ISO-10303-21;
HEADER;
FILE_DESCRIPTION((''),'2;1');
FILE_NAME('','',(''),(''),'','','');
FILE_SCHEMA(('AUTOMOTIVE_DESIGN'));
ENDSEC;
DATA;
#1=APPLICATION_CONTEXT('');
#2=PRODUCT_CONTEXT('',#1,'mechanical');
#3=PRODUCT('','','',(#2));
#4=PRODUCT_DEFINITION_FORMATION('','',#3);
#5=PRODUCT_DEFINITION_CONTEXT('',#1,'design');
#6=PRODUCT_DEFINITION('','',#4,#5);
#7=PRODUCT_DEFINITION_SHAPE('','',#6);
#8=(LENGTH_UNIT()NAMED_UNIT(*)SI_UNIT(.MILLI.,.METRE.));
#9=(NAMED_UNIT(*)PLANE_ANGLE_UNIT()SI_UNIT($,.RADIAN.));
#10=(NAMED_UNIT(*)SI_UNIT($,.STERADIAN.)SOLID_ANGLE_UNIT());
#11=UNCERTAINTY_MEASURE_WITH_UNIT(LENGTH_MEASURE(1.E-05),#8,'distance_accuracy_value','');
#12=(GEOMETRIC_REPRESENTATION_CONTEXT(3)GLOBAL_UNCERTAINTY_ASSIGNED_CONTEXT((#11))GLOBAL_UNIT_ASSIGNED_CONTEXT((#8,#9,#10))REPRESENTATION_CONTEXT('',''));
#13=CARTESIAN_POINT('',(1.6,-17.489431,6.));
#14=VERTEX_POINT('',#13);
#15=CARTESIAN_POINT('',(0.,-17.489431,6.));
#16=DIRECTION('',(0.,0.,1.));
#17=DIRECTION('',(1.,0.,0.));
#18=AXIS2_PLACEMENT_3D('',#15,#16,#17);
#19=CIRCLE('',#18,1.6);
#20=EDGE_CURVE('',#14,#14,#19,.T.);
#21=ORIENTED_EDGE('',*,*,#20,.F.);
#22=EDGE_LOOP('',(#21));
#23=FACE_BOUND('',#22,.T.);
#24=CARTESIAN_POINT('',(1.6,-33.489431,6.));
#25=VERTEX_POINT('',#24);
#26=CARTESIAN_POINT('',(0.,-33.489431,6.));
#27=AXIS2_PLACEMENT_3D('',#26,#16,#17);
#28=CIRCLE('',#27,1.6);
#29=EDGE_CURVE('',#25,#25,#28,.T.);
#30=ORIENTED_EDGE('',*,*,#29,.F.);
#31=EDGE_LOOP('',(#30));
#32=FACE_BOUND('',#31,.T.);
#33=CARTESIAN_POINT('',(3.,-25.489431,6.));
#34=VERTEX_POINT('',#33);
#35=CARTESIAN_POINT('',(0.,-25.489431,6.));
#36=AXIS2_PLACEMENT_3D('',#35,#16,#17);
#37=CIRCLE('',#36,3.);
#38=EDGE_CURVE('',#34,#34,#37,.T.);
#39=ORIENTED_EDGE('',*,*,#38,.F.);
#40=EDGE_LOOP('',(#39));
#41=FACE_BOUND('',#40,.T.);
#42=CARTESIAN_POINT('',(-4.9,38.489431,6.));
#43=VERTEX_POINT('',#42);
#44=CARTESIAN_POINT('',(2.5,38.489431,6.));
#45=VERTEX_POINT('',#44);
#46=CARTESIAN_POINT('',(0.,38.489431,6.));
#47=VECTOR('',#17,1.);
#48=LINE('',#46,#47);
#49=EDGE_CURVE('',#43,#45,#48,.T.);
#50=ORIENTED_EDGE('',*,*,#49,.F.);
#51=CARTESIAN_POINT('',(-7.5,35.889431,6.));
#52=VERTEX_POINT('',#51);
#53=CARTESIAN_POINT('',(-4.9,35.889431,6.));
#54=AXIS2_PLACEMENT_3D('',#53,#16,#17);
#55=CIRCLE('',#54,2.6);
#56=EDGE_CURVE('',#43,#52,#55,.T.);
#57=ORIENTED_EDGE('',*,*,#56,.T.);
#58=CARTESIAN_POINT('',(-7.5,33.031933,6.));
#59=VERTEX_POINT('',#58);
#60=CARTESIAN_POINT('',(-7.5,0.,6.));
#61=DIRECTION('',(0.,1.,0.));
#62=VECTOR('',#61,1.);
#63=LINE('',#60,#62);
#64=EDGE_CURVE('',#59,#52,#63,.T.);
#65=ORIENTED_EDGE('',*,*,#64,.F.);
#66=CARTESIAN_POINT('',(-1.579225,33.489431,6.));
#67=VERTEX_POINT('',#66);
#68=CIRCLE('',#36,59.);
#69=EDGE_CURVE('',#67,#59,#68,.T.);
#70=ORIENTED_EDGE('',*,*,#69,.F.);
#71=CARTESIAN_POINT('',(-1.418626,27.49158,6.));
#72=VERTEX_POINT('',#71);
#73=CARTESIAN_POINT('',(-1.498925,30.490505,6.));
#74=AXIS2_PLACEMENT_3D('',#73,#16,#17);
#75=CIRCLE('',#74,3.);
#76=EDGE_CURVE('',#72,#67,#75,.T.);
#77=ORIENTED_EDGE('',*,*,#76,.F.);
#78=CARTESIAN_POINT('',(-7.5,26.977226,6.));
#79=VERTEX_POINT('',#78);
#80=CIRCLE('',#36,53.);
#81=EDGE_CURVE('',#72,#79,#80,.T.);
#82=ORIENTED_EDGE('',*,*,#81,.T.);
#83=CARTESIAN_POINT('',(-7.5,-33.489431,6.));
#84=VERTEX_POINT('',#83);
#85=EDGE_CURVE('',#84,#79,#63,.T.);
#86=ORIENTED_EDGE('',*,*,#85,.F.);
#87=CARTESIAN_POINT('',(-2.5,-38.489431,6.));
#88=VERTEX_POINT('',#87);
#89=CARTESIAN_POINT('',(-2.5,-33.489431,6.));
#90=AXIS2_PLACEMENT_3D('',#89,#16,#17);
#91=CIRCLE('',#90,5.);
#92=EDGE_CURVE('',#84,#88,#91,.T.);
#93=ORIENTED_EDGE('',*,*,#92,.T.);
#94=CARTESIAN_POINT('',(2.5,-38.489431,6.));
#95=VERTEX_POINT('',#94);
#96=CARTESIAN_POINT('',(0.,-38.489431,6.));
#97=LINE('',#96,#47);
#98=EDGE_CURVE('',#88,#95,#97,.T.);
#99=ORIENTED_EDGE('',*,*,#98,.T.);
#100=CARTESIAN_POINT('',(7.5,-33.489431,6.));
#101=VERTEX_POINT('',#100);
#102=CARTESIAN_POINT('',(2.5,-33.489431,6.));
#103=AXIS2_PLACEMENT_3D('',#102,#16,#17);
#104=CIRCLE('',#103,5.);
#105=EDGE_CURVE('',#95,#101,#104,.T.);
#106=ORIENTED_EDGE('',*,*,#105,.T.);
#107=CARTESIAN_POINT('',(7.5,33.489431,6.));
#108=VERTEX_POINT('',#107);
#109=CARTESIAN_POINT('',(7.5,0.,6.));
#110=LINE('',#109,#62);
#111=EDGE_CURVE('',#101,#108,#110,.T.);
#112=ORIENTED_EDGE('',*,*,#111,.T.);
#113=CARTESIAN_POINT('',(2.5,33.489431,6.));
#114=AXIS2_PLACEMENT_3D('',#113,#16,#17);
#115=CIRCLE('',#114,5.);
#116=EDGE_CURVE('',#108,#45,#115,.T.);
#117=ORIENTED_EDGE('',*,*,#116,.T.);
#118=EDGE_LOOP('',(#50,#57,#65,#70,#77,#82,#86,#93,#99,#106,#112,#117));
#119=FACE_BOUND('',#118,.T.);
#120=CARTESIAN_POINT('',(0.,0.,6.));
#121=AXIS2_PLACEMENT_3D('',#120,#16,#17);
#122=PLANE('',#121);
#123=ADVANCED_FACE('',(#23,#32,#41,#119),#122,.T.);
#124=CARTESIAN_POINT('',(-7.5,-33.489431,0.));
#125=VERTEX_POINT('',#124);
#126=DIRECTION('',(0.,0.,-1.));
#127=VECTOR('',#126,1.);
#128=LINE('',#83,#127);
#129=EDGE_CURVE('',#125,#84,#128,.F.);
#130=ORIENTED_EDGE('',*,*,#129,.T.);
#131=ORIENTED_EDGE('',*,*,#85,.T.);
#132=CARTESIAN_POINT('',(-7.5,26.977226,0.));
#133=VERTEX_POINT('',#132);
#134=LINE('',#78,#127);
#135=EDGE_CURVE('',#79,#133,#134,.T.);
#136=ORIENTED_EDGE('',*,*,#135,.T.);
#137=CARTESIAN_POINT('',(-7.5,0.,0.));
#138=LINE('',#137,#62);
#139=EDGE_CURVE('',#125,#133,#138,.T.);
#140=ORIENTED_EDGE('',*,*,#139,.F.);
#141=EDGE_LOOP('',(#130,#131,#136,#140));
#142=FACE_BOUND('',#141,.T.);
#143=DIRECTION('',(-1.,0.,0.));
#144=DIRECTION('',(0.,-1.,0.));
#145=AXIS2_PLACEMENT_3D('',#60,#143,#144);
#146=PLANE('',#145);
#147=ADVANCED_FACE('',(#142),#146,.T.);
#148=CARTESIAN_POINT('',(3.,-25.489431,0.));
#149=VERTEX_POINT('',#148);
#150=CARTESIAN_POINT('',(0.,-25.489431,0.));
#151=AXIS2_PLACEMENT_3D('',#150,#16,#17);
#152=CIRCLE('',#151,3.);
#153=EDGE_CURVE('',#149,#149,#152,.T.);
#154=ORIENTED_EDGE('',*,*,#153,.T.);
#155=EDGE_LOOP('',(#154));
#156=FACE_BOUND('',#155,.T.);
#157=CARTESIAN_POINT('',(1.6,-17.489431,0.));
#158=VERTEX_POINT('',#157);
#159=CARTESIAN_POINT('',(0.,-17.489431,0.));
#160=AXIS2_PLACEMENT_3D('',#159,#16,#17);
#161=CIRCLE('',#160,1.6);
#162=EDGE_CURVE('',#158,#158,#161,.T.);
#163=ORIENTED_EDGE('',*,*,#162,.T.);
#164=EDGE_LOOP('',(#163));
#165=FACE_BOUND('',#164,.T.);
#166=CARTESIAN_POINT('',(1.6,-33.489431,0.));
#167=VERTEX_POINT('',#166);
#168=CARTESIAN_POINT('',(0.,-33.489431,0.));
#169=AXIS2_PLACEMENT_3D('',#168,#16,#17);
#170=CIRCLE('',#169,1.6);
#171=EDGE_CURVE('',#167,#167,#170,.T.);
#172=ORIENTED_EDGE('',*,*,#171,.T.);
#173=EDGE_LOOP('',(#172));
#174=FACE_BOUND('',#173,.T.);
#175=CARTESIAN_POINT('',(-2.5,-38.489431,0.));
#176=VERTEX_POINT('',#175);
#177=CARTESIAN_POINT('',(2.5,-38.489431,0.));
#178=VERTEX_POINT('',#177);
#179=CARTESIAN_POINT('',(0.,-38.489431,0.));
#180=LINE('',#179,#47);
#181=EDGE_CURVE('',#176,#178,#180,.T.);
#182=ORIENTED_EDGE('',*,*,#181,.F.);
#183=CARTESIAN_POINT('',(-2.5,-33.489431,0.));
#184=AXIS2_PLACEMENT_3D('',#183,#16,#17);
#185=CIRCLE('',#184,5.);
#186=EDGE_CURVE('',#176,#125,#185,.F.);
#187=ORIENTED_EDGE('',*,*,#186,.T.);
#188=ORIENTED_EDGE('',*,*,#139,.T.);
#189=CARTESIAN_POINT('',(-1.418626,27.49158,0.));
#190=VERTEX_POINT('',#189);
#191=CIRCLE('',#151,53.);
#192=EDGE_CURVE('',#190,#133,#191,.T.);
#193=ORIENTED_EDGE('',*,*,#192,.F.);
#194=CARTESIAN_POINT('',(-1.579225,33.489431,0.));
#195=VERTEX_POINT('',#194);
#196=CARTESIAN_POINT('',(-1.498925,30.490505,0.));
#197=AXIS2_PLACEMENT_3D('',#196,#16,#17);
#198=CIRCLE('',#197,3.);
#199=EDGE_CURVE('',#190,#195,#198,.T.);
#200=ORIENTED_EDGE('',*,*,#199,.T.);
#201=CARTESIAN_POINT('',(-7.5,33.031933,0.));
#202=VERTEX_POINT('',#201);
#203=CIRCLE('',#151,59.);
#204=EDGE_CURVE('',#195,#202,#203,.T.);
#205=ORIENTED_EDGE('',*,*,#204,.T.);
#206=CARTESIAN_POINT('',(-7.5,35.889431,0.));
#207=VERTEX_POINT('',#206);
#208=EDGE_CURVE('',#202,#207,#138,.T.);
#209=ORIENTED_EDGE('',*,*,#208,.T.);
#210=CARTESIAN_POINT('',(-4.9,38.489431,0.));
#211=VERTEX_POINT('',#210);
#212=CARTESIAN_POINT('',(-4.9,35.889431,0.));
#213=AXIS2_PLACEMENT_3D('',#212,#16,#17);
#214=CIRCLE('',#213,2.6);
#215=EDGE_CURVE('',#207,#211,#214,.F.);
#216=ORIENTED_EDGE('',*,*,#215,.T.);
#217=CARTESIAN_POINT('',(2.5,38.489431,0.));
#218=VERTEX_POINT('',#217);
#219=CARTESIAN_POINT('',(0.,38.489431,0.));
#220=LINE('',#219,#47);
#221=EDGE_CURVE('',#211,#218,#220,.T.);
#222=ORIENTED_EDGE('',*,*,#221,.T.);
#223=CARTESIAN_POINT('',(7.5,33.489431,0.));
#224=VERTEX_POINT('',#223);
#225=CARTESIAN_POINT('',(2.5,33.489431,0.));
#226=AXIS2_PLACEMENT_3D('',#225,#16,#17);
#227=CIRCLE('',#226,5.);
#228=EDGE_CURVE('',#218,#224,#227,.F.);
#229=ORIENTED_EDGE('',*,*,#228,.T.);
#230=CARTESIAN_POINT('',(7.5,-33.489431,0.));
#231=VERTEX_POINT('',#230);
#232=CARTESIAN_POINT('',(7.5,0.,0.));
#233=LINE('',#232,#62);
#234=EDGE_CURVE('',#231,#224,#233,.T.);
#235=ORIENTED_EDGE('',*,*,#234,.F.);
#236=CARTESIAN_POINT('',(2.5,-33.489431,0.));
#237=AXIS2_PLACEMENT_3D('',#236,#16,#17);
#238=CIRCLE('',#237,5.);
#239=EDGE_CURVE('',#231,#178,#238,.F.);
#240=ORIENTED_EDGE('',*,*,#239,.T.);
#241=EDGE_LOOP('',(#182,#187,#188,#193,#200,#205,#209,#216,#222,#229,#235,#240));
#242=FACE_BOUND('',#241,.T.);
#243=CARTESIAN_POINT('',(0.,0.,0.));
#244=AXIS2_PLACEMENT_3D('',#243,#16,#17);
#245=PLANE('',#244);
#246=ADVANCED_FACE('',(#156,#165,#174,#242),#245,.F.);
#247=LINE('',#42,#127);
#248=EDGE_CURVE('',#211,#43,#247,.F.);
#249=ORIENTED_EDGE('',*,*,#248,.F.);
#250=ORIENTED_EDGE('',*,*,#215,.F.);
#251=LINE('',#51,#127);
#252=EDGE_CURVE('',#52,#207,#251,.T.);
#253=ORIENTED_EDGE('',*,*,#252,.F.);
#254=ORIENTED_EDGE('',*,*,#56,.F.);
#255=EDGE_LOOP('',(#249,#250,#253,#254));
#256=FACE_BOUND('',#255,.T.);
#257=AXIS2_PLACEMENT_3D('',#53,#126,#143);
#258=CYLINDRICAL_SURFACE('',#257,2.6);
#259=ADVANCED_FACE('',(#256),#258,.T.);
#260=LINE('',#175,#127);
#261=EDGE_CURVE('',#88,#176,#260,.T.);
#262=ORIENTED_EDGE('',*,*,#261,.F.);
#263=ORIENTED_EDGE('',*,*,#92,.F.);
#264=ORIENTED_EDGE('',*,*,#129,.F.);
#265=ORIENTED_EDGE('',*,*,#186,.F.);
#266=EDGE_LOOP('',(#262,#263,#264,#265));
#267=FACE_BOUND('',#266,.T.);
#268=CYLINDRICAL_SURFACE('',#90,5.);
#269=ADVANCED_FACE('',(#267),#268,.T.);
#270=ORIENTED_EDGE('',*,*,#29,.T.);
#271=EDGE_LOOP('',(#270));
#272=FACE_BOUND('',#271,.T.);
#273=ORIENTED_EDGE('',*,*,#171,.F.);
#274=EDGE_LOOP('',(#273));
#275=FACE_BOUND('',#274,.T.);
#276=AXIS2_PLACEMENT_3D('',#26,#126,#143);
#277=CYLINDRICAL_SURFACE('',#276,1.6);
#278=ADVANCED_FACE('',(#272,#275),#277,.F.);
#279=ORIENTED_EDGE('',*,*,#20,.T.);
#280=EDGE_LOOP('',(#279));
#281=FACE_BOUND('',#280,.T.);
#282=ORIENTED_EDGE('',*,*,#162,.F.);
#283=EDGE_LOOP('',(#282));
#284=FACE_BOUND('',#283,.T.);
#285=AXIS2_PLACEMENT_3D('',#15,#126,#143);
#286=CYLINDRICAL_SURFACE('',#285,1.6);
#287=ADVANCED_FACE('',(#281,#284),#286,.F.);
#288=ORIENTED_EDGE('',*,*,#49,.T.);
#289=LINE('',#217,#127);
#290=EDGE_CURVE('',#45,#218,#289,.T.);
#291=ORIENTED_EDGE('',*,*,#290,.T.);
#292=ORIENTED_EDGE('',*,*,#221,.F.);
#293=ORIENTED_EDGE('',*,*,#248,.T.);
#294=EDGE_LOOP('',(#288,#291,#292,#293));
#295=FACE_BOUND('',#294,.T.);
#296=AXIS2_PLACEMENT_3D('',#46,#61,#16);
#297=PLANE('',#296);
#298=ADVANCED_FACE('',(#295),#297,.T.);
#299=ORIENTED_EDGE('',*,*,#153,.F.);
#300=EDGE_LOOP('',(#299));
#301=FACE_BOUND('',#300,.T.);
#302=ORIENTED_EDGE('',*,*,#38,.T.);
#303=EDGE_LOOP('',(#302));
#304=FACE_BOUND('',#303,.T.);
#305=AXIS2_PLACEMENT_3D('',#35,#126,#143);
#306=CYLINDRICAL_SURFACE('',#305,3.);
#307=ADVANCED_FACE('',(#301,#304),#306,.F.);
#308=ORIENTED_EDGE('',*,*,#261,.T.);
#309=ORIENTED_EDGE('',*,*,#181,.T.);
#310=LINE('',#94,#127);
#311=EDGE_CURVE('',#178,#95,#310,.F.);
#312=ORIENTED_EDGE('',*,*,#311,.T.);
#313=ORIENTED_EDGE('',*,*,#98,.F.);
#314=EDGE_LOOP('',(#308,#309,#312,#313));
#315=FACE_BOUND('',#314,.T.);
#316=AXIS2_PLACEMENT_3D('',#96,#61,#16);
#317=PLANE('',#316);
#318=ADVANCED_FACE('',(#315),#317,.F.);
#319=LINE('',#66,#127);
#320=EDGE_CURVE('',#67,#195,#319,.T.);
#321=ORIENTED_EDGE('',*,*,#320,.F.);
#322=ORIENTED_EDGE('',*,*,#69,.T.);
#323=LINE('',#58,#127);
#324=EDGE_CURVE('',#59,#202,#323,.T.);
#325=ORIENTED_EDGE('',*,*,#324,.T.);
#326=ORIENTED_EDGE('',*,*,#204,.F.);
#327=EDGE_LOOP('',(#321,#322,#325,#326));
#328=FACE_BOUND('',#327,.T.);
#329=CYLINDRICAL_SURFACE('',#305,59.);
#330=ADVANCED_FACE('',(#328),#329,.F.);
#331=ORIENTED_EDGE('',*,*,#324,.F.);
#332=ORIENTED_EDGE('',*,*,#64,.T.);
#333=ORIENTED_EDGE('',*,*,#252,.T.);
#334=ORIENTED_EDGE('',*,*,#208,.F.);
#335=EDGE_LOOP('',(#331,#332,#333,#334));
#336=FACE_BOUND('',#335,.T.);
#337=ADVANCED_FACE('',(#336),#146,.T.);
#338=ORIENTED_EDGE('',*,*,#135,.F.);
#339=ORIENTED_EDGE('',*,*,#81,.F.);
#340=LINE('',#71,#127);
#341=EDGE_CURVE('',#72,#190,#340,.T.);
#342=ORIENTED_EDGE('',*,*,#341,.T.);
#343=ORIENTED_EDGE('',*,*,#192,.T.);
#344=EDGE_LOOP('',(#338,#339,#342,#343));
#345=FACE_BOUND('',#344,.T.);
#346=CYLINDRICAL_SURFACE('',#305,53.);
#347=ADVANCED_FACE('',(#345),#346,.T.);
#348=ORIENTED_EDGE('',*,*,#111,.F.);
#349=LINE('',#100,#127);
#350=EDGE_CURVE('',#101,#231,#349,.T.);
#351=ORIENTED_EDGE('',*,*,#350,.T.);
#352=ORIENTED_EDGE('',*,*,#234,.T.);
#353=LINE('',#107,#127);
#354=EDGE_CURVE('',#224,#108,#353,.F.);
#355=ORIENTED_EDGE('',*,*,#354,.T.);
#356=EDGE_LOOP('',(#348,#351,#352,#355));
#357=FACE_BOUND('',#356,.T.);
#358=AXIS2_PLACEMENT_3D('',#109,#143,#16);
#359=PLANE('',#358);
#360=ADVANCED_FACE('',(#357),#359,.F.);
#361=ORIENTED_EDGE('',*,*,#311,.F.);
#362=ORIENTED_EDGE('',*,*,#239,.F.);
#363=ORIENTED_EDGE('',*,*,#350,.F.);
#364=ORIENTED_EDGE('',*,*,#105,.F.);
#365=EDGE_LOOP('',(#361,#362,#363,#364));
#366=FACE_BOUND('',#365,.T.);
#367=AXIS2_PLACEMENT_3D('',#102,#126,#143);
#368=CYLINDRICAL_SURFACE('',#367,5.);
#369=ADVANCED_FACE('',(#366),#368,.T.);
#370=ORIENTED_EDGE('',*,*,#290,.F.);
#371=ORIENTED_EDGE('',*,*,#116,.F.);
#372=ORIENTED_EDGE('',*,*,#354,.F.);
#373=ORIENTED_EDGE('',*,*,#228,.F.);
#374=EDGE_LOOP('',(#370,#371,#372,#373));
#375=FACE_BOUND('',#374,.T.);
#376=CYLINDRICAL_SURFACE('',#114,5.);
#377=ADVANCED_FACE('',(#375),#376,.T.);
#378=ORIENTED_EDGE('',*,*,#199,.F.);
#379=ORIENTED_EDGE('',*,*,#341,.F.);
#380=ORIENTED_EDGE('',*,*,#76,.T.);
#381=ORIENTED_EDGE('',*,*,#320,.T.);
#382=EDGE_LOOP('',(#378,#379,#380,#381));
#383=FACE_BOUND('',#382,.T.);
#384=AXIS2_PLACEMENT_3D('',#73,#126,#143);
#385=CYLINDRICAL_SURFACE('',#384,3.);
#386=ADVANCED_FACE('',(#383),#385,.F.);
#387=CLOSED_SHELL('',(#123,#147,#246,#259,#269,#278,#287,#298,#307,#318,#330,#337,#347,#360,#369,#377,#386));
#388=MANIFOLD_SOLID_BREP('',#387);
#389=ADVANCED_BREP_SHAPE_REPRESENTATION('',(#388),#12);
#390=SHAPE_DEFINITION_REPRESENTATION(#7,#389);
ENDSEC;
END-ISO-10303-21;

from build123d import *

# Parameters (mm, degrees)
ESBO_O1_R                = 1.6
ESBO_O1_R_2              = 3
RESSALTO_EXTRUS_O1_DEPTH = 6
FILETE1_R                = 5
FILETE2_R                = 2.6


with BuildPart() as part:
    # Esboço1 → Ressalto-extrusão1 (new body)
    with BuildSketch(Plane.XY):
        with BuildLine():
            Line((-7.5, 26.977225559), (-7.5, -38.489430519))
            Line((-7.5, -38.489430519), (7.5, -38.489430519))
            Line((7.5, -38.489430519), (7.5, 38.489430519))
            Line((7.5, 38.489430519), (-7.5, 38.489430519))
            Line((-7.5, 38.489430519), (-7.5, 33.031933101))
            ThreePointArc((-7.5, 33.031933101), (-4.54537196, 33.335220723), (-1.579224698, 33.489430519))
            ThreePointArc((-1.579224698, 33.489430519), (1.5, 30.570804942), (-1.418625577, 27.491580244))
            ThreePointArc((-1.418625577, 27.491580244), (-4.466722594, 27.322011321), (-7.5, 26.977225559))
        make_face()
        with Locations((0, -33.489430519)):
            Circle(ESBO_O1_R, mode=Mode.SUBTRACT)
        with Locations((0, -25.489430519)):
            Circle(ESBO_O1_R_2, mode=Mode.SUBTRACT)
        with Locations((0, -17.489430519)):
            Circle(ESBO_O1_R, mode=Mode.SUBTRACT)
    extrude(amount=RESSALTO_EXTRUS_O1_DEPTH)

    # Filete1
    filete1_edges = [part.edges().sort_by_distance(p)[0] for p in [
        (7.5, 38.489430519, 3),
        (7.5, -38.489430519, 3),
        (-7.5, -38.489430519, 3),
    ]]
    fillet(filete1_edges, radius=FILETE1_R)

    # Filete2
    filete2_edges = [part.edges().sort_by_distance(p)[0] for p in [
        (-7.5, 38.489430519, 3),
    ]]
    fillet(filete2_edges, radius=FILETE2_R)


solid = part.part
